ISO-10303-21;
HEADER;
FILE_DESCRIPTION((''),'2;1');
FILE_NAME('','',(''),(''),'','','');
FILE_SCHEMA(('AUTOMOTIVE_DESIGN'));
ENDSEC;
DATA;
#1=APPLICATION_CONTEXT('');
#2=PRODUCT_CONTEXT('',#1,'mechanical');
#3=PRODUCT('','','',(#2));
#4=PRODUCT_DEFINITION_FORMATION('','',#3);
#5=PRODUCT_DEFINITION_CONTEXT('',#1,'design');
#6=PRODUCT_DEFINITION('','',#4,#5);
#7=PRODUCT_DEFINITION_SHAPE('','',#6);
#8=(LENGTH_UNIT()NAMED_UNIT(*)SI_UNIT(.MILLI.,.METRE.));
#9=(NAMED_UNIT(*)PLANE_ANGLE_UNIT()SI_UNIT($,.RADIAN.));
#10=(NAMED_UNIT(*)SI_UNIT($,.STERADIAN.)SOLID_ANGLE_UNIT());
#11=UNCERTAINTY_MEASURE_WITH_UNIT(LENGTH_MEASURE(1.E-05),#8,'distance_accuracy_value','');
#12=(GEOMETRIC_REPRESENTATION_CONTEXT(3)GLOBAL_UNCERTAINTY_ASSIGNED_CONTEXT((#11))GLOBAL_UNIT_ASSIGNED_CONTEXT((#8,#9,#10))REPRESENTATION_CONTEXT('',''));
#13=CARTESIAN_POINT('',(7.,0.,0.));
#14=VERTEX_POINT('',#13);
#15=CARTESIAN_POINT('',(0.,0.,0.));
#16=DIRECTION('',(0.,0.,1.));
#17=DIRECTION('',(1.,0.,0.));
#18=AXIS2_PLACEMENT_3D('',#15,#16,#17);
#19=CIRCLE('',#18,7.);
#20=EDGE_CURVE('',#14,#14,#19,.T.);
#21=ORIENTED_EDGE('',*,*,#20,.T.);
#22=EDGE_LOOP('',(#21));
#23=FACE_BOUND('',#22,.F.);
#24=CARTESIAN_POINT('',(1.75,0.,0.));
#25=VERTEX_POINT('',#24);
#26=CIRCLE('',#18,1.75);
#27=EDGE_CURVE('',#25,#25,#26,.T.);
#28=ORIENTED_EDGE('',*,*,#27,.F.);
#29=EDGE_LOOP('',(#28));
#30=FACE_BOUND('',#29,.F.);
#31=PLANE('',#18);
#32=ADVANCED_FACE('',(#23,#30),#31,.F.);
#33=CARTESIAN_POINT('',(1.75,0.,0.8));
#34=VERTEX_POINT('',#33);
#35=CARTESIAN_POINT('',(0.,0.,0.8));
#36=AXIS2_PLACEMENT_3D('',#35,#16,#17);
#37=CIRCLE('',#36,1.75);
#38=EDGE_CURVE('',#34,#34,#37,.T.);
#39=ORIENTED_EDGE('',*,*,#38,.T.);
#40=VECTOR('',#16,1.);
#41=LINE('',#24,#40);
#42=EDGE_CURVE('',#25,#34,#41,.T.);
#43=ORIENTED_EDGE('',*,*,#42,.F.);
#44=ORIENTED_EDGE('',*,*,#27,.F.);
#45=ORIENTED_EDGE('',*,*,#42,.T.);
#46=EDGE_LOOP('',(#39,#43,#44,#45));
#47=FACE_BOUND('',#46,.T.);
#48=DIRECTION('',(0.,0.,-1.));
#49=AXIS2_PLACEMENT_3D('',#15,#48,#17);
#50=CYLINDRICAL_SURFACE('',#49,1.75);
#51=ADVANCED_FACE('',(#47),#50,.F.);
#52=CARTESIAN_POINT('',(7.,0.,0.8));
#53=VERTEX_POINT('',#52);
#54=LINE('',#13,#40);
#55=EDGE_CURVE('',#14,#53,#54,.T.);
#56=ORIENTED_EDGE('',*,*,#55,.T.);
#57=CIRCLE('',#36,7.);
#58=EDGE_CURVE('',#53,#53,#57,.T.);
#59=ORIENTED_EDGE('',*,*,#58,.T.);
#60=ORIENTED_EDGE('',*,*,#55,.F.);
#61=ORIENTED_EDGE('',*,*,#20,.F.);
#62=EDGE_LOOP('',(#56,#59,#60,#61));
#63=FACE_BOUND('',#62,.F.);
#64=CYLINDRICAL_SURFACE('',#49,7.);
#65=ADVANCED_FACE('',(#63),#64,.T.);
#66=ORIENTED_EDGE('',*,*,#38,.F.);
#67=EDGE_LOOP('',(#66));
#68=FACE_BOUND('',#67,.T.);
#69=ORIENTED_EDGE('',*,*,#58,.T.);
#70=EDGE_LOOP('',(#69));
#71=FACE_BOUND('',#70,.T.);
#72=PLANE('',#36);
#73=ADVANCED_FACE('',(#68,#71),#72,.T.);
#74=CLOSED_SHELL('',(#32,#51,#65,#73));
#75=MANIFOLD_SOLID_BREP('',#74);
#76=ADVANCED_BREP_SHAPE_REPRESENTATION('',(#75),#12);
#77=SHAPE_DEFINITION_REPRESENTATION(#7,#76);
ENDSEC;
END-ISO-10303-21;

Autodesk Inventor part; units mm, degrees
ref_plane "YZ Plane" through (0, 0, 0) normal (1, 0, 0) x (0, 1, 0)
ref_plane "XZ Plane" through (0, 0, 0) normal (0, 1, 0) x (-1, 0, 0)
ref_plane "XY Plane" through (0, 0, 0) normal (0, 0, 1) x (1, 0, 0)
sketch "スケッチ1" plane through (0, 0, 0) normal (0, 0, 1) x (1, 0, 0)
  circle A0 centre (0, 0) radius 7
  circle A1 centre (0, 0) radius 1.75
  dimension "d0" = 14
  dimension "d1" = 3.5
extrude "押し出し1" add sketch "スケッチ1" along normal blind 0.8
properties part number "足首_独立ピッチ_1_3" material "アセタール樹脂、黒"
